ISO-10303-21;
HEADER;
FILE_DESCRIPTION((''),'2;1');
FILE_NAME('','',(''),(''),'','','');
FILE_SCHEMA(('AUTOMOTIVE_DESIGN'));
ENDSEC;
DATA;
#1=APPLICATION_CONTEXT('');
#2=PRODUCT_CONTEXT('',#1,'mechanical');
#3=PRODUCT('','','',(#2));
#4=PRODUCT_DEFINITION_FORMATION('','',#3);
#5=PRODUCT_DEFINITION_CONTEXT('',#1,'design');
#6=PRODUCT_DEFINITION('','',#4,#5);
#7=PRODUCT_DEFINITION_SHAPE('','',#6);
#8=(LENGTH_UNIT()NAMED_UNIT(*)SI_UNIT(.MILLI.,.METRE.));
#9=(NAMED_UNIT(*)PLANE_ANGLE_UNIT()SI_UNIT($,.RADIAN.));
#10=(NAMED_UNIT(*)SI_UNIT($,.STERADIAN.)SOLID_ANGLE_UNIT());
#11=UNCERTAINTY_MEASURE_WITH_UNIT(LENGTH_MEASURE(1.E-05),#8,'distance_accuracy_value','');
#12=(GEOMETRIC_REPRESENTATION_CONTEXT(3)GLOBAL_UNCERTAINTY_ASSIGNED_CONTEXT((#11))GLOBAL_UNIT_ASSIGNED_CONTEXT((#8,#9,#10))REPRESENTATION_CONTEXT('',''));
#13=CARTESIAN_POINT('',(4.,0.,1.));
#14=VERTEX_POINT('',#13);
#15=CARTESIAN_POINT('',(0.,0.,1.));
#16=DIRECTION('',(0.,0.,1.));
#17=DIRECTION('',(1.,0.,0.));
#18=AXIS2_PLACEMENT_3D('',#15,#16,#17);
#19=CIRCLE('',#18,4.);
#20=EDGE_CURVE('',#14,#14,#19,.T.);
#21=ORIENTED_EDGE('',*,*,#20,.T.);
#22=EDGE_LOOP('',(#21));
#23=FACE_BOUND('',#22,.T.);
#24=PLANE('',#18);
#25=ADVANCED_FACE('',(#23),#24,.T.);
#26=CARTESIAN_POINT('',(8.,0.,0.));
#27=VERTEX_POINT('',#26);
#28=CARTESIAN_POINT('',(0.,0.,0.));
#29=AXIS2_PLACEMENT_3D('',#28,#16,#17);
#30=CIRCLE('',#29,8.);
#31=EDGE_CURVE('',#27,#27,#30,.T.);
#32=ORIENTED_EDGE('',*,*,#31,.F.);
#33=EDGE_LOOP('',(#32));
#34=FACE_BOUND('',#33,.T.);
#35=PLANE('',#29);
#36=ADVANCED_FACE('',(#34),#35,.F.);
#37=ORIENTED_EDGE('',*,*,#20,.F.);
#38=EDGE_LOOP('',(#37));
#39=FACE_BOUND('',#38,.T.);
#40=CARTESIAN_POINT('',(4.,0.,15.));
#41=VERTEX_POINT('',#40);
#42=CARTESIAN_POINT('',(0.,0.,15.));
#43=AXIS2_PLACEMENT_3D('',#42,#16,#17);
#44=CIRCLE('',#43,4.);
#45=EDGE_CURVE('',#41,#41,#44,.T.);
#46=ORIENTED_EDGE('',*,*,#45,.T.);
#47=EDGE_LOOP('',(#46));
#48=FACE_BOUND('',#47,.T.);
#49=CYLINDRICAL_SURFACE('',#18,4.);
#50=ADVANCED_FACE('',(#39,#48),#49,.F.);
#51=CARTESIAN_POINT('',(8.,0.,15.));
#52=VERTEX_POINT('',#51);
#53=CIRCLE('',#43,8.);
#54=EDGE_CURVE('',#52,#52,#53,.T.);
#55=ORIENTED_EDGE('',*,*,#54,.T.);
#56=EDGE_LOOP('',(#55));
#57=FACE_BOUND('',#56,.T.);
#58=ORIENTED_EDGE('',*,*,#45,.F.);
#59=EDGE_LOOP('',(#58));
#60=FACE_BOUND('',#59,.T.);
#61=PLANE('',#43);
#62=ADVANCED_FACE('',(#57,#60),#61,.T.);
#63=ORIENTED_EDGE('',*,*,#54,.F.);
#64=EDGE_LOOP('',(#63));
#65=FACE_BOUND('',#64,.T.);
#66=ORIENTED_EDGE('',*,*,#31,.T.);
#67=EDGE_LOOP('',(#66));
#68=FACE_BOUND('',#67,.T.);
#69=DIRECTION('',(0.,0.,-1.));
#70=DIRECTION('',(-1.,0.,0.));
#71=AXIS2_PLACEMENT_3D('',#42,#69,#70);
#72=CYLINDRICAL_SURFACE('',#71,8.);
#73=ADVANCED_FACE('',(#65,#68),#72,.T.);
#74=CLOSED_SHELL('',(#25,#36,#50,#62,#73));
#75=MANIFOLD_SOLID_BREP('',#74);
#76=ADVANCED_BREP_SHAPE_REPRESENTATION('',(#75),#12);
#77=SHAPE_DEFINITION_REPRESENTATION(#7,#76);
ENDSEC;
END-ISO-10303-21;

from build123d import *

# Parameters (mm, degrees)
SKETCH1_R           = 8
BOSS_EXTRUDE1_DEPTH = 15
SKETCH2_R           = 4
CUT_EXTRUDE1_DEPTH  = 14


with BuildPart() as part:
    # Sketch1 → Boss-Extrude1 (new body)
    with BuildSketch(Plane.XY):
        Circle(SKETCH1_R)
    extrude(amount=BOSS_EXTRUDE1_DEPTH)

    # Sketch2 → Cut-Extrude1 (cut)
    with BuildSketch(Plane.XY.offset(15)):
        Circle(SKETCH2_R)
    extrude(amount=-CUT_EXTRUDE1_DEPTH, mode=Mode.SUBTRACT)


solid = part.part
